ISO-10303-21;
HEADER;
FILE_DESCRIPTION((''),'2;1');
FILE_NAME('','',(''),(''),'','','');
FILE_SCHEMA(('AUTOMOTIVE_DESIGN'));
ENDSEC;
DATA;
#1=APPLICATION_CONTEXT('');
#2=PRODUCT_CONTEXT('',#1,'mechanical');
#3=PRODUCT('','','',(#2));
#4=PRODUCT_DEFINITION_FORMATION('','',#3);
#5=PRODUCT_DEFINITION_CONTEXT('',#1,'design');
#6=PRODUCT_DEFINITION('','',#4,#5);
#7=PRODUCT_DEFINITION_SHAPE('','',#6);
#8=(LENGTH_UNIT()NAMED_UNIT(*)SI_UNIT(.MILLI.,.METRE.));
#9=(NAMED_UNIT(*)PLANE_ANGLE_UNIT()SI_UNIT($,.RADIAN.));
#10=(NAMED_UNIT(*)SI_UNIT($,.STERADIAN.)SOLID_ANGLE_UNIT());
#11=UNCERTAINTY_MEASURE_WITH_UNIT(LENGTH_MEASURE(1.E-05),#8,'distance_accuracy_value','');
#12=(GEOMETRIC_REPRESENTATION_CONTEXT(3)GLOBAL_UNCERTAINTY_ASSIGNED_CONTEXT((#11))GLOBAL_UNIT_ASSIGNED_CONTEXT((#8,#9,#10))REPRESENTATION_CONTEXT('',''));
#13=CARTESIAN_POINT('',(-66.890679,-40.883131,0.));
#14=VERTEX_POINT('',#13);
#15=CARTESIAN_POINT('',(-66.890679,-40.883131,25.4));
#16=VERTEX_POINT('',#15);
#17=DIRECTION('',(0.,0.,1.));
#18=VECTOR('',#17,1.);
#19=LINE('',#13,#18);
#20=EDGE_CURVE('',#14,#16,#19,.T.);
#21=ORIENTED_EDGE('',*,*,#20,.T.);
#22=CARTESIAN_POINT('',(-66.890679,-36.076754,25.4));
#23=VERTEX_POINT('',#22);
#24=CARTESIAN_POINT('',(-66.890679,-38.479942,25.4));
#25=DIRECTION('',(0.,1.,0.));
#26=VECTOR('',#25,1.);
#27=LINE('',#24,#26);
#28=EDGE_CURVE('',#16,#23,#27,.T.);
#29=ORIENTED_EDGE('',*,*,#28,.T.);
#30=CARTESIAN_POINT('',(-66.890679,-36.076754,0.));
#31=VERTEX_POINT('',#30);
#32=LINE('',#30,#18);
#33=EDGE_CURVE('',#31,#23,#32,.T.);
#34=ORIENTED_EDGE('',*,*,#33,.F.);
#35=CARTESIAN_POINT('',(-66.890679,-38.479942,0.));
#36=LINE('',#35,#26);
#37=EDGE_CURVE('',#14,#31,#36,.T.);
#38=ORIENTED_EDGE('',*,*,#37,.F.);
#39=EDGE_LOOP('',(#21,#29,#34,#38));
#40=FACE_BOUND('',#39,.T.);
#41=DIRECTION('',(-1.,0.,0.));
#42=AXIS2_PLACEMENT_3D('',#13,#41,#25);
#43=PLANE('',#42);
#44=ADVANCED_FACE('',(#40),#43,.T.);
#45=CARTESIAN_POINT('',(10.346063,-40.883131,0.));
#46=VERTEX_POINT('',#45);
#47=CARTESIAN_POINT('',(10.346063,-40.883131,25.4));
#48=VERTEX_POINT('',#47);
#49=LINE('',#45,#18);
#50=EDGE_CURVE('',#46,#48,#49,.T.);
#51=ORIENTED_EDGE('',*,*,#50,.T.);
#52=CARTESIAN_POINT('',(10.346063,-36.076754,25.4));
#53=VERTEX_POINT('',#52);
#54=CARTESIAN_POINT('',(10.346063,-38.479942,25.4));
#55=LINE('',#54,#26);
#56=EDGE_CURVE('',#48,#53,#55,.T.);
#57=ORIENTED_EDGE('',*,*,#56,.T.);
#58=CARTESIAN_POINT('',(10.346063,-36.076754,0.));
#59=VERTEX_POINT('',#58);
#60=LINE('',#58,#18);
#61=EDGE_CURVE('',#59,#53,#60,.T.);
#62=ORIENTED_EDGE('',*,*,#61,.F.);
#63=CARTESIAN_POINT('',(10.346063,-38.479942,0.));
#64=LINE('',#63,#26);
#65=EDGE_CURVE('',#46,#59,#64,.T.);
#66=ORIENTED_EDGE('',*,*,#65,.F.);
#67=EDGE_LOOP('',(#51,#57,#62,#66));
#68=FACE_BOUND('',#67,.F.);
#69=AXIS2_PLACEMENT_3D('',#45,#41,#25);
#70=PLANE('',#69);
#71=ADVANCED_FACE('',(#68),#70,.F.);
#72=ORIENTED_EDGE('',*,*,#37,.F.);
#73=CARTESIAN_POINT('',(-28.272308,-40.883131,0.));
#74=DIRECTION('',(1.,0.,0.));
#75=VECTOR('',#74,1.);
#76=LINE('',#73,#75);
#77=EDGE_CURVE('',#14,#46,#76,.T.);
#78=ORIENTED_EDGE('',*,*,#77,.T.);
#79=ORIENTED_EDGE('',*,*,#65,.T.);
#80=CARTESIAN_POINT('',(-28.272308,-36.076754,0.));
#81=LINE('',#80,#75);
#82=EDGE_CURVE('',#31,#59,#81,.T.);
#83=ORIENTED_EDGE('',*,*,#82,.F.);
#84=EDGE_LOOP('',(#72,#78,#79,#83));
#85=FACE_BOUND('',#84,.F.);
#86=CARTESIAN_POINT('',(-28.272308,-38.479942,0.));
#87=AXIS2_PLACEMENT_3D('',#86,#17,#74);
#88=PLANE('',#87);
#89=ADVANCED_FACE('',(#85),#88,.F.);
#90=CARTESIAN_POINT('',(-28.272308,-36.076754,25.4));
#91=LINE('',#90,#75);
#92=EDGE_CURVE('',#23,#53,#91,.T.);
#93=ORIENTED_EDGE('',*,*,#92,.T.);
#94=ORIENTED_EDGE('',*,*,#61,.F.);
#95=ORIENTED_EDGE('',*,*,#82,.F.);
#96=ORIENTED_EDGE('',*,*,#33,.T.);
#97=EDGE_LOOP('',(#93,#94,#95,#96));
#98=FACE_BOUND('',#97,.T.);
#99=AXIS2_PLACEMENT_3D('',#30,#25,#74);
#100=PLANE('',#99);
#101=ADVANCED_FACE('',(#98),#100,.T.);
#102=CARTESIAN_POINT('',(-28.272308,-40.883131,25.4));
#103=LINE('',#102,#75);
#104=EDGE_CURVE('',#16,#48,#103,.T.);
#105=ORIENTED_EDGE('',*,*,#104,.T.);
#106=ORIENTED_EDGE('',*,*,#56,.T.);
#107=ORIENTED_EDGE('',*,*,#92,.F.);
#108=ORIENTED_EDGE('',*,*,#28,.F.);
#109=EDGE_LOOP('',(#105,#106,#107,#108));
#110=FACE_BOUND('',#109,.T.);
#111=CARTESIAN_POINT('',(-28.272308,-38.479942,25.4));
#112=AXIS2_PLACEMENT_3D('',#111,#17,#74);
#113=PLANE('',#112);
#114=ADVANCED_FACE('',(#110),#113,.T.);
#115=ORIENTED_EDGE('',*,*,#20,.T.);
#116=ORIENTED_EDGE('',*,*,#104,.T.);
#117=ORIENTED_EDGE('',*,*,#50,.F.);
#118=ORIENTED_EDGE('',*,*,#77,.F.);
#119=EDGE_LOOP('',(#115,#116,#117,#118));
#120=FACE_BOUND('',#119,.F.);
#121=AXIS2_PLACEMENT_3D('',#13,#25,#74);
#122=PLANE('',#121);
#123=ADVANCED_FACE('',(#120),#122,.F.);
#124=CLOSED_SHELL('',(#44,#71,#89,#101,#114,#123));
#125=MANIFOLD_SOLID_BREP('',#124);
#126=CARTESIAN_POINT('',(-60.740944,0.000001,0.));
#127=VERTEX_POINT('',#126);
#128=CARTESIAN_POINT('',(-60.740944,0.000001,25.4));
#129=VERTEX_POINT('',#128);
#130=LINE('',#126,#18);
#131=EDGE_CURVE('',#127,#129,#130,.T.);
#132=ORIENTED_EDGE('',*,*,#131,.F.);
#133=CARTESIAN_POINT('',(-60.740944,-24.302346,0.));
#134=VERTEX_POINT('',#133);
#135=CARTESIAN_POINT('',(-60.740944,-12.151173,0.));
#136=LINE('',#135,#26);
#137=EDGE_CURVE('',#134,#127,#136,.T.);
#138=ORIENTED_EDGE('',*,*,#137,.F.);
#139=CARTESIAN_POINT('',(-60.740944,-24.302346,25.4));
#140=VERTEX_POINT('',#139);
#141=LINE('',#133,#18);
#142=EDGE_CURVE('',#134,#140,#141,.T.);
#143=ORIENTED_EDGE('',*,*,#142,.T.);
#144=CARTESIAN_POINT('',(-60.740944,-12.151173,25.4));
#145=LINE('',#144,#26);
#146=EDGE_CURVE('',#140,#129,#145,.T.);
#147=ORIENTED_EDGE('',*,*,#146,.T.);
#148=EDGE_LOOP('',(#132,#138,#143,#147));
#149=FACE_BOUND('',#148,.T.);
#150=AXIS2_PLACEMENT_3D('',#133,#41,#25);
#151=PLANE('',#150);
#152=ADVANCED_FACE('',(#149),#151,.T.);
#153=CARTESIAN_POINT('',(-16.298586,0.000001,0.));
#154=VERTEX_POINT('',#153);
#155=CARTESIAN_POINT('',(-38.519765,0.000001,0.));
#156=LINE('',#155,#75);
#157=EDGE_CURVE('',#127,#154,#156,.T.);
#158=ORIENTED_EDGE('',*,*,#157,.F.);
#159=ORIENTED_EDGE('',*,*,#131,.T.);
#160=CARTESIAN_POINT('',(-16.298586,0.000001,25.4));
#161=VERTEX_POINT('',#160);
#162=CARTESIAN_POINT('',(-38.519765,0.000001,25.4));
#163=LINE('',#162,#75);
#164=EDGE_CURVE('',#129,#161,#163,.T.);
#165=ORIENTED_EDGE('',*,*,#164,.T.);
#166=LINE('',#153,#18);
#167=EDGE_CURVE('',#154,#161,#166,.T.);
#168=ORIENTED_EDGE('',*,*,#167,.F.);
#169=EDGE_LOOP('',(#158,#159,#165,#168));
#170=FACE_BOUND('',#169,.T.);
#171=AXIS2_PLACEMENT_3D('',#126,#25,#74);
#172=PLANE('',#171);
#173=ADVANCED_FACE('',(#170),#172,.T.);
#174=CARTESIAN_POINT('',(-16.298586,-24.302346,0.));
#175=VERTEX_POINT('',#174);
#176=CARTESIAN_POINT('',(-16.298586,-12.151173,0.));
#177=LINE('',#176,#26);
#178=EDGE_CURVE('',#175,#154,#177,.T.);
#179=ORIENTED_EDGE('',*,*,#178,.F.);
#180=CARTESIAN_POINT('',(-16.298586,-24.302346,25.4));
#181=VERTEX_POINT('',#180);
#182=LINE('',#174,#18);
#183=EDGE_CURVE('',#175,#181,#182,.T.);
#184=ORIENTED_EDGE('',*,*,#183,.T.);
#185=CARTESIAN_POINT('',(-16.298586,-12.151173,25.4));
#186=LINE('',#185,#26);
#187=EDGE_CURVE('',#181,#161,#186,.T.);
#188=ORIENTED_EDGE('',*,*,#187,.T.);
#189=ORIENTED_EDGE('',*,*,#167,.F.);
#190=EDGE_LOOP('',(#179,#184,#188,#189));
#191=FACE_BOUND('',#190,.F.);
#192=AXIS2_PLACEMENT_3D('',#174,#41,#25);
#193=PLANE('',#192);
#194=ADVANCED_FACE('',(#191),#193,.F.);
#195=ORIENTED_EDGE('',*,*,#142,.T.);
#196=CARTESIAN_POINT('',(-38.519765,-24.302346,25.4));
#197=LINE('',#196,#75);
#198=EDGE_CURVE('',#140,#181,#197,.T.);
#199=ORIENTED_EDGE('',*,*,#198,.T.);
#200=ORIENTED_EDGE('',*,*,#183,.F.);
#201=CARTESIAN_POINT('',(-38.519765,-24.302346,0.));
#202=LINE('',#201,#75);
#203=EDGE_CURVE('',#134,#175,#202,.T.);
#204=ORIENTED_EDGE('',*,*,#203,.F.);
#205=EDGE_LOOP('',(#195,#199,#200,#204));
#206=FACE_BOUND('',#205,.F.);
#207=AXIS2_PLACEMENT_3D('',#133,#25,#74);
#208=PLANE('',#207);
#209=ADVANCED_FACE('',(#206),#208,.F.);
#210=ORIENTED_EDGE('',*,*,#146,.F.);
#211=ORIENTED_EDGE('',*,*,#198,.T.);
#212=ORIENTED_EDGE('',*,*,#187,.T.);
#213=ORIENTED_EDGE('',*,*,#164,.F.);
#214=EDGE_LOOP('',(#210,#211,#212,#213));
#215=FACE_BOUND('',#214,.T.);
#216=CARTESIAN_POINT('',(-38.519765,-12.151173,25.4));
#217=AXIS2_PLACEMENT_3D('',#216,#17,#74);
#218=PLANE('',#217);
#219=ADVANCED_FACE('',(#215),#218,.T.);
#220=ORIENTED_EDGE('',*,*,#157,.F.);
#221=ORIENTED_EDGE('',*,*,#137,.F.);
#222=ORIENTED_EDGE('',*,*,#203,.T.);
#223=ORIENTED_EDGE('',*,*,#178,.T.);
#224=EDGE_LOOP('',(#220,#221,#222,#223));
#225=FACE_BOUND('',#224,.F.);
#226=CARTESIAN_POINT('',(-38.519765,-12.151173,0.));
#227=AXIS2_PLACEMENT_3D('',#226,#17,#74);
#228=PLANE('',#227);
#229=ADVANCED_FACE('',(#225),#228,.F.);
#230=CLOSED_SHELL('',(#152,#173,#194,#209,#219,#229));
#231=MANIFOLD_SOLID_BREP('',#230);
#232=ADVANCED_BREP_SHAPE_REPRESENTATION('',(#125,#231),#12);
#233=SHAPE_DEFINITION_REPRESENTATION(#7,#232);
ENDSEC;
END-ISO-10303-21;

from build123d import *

# Parameters (mm, degrees)
F0_W     = 44.442359
F0_H     = 24.302347
F0_W_2   = 77.236741
F0_H_2   = 4.806377
F1_DEPTH = 25.4


with BuildPart() as f1:
    # F0 (on Top) → F1 (new body)
    with BuildSketch(Plane.XY):
        with Locations((-38.519765, -12.151173)):
            Rectangle(F0_W, F0_H)
        with Locations((-28.272308, -38.479942)):
            Rectangle(F0_W_2, F0_H_2)
    extrude(amount=F1_DEPTH)


solid = f1.part
